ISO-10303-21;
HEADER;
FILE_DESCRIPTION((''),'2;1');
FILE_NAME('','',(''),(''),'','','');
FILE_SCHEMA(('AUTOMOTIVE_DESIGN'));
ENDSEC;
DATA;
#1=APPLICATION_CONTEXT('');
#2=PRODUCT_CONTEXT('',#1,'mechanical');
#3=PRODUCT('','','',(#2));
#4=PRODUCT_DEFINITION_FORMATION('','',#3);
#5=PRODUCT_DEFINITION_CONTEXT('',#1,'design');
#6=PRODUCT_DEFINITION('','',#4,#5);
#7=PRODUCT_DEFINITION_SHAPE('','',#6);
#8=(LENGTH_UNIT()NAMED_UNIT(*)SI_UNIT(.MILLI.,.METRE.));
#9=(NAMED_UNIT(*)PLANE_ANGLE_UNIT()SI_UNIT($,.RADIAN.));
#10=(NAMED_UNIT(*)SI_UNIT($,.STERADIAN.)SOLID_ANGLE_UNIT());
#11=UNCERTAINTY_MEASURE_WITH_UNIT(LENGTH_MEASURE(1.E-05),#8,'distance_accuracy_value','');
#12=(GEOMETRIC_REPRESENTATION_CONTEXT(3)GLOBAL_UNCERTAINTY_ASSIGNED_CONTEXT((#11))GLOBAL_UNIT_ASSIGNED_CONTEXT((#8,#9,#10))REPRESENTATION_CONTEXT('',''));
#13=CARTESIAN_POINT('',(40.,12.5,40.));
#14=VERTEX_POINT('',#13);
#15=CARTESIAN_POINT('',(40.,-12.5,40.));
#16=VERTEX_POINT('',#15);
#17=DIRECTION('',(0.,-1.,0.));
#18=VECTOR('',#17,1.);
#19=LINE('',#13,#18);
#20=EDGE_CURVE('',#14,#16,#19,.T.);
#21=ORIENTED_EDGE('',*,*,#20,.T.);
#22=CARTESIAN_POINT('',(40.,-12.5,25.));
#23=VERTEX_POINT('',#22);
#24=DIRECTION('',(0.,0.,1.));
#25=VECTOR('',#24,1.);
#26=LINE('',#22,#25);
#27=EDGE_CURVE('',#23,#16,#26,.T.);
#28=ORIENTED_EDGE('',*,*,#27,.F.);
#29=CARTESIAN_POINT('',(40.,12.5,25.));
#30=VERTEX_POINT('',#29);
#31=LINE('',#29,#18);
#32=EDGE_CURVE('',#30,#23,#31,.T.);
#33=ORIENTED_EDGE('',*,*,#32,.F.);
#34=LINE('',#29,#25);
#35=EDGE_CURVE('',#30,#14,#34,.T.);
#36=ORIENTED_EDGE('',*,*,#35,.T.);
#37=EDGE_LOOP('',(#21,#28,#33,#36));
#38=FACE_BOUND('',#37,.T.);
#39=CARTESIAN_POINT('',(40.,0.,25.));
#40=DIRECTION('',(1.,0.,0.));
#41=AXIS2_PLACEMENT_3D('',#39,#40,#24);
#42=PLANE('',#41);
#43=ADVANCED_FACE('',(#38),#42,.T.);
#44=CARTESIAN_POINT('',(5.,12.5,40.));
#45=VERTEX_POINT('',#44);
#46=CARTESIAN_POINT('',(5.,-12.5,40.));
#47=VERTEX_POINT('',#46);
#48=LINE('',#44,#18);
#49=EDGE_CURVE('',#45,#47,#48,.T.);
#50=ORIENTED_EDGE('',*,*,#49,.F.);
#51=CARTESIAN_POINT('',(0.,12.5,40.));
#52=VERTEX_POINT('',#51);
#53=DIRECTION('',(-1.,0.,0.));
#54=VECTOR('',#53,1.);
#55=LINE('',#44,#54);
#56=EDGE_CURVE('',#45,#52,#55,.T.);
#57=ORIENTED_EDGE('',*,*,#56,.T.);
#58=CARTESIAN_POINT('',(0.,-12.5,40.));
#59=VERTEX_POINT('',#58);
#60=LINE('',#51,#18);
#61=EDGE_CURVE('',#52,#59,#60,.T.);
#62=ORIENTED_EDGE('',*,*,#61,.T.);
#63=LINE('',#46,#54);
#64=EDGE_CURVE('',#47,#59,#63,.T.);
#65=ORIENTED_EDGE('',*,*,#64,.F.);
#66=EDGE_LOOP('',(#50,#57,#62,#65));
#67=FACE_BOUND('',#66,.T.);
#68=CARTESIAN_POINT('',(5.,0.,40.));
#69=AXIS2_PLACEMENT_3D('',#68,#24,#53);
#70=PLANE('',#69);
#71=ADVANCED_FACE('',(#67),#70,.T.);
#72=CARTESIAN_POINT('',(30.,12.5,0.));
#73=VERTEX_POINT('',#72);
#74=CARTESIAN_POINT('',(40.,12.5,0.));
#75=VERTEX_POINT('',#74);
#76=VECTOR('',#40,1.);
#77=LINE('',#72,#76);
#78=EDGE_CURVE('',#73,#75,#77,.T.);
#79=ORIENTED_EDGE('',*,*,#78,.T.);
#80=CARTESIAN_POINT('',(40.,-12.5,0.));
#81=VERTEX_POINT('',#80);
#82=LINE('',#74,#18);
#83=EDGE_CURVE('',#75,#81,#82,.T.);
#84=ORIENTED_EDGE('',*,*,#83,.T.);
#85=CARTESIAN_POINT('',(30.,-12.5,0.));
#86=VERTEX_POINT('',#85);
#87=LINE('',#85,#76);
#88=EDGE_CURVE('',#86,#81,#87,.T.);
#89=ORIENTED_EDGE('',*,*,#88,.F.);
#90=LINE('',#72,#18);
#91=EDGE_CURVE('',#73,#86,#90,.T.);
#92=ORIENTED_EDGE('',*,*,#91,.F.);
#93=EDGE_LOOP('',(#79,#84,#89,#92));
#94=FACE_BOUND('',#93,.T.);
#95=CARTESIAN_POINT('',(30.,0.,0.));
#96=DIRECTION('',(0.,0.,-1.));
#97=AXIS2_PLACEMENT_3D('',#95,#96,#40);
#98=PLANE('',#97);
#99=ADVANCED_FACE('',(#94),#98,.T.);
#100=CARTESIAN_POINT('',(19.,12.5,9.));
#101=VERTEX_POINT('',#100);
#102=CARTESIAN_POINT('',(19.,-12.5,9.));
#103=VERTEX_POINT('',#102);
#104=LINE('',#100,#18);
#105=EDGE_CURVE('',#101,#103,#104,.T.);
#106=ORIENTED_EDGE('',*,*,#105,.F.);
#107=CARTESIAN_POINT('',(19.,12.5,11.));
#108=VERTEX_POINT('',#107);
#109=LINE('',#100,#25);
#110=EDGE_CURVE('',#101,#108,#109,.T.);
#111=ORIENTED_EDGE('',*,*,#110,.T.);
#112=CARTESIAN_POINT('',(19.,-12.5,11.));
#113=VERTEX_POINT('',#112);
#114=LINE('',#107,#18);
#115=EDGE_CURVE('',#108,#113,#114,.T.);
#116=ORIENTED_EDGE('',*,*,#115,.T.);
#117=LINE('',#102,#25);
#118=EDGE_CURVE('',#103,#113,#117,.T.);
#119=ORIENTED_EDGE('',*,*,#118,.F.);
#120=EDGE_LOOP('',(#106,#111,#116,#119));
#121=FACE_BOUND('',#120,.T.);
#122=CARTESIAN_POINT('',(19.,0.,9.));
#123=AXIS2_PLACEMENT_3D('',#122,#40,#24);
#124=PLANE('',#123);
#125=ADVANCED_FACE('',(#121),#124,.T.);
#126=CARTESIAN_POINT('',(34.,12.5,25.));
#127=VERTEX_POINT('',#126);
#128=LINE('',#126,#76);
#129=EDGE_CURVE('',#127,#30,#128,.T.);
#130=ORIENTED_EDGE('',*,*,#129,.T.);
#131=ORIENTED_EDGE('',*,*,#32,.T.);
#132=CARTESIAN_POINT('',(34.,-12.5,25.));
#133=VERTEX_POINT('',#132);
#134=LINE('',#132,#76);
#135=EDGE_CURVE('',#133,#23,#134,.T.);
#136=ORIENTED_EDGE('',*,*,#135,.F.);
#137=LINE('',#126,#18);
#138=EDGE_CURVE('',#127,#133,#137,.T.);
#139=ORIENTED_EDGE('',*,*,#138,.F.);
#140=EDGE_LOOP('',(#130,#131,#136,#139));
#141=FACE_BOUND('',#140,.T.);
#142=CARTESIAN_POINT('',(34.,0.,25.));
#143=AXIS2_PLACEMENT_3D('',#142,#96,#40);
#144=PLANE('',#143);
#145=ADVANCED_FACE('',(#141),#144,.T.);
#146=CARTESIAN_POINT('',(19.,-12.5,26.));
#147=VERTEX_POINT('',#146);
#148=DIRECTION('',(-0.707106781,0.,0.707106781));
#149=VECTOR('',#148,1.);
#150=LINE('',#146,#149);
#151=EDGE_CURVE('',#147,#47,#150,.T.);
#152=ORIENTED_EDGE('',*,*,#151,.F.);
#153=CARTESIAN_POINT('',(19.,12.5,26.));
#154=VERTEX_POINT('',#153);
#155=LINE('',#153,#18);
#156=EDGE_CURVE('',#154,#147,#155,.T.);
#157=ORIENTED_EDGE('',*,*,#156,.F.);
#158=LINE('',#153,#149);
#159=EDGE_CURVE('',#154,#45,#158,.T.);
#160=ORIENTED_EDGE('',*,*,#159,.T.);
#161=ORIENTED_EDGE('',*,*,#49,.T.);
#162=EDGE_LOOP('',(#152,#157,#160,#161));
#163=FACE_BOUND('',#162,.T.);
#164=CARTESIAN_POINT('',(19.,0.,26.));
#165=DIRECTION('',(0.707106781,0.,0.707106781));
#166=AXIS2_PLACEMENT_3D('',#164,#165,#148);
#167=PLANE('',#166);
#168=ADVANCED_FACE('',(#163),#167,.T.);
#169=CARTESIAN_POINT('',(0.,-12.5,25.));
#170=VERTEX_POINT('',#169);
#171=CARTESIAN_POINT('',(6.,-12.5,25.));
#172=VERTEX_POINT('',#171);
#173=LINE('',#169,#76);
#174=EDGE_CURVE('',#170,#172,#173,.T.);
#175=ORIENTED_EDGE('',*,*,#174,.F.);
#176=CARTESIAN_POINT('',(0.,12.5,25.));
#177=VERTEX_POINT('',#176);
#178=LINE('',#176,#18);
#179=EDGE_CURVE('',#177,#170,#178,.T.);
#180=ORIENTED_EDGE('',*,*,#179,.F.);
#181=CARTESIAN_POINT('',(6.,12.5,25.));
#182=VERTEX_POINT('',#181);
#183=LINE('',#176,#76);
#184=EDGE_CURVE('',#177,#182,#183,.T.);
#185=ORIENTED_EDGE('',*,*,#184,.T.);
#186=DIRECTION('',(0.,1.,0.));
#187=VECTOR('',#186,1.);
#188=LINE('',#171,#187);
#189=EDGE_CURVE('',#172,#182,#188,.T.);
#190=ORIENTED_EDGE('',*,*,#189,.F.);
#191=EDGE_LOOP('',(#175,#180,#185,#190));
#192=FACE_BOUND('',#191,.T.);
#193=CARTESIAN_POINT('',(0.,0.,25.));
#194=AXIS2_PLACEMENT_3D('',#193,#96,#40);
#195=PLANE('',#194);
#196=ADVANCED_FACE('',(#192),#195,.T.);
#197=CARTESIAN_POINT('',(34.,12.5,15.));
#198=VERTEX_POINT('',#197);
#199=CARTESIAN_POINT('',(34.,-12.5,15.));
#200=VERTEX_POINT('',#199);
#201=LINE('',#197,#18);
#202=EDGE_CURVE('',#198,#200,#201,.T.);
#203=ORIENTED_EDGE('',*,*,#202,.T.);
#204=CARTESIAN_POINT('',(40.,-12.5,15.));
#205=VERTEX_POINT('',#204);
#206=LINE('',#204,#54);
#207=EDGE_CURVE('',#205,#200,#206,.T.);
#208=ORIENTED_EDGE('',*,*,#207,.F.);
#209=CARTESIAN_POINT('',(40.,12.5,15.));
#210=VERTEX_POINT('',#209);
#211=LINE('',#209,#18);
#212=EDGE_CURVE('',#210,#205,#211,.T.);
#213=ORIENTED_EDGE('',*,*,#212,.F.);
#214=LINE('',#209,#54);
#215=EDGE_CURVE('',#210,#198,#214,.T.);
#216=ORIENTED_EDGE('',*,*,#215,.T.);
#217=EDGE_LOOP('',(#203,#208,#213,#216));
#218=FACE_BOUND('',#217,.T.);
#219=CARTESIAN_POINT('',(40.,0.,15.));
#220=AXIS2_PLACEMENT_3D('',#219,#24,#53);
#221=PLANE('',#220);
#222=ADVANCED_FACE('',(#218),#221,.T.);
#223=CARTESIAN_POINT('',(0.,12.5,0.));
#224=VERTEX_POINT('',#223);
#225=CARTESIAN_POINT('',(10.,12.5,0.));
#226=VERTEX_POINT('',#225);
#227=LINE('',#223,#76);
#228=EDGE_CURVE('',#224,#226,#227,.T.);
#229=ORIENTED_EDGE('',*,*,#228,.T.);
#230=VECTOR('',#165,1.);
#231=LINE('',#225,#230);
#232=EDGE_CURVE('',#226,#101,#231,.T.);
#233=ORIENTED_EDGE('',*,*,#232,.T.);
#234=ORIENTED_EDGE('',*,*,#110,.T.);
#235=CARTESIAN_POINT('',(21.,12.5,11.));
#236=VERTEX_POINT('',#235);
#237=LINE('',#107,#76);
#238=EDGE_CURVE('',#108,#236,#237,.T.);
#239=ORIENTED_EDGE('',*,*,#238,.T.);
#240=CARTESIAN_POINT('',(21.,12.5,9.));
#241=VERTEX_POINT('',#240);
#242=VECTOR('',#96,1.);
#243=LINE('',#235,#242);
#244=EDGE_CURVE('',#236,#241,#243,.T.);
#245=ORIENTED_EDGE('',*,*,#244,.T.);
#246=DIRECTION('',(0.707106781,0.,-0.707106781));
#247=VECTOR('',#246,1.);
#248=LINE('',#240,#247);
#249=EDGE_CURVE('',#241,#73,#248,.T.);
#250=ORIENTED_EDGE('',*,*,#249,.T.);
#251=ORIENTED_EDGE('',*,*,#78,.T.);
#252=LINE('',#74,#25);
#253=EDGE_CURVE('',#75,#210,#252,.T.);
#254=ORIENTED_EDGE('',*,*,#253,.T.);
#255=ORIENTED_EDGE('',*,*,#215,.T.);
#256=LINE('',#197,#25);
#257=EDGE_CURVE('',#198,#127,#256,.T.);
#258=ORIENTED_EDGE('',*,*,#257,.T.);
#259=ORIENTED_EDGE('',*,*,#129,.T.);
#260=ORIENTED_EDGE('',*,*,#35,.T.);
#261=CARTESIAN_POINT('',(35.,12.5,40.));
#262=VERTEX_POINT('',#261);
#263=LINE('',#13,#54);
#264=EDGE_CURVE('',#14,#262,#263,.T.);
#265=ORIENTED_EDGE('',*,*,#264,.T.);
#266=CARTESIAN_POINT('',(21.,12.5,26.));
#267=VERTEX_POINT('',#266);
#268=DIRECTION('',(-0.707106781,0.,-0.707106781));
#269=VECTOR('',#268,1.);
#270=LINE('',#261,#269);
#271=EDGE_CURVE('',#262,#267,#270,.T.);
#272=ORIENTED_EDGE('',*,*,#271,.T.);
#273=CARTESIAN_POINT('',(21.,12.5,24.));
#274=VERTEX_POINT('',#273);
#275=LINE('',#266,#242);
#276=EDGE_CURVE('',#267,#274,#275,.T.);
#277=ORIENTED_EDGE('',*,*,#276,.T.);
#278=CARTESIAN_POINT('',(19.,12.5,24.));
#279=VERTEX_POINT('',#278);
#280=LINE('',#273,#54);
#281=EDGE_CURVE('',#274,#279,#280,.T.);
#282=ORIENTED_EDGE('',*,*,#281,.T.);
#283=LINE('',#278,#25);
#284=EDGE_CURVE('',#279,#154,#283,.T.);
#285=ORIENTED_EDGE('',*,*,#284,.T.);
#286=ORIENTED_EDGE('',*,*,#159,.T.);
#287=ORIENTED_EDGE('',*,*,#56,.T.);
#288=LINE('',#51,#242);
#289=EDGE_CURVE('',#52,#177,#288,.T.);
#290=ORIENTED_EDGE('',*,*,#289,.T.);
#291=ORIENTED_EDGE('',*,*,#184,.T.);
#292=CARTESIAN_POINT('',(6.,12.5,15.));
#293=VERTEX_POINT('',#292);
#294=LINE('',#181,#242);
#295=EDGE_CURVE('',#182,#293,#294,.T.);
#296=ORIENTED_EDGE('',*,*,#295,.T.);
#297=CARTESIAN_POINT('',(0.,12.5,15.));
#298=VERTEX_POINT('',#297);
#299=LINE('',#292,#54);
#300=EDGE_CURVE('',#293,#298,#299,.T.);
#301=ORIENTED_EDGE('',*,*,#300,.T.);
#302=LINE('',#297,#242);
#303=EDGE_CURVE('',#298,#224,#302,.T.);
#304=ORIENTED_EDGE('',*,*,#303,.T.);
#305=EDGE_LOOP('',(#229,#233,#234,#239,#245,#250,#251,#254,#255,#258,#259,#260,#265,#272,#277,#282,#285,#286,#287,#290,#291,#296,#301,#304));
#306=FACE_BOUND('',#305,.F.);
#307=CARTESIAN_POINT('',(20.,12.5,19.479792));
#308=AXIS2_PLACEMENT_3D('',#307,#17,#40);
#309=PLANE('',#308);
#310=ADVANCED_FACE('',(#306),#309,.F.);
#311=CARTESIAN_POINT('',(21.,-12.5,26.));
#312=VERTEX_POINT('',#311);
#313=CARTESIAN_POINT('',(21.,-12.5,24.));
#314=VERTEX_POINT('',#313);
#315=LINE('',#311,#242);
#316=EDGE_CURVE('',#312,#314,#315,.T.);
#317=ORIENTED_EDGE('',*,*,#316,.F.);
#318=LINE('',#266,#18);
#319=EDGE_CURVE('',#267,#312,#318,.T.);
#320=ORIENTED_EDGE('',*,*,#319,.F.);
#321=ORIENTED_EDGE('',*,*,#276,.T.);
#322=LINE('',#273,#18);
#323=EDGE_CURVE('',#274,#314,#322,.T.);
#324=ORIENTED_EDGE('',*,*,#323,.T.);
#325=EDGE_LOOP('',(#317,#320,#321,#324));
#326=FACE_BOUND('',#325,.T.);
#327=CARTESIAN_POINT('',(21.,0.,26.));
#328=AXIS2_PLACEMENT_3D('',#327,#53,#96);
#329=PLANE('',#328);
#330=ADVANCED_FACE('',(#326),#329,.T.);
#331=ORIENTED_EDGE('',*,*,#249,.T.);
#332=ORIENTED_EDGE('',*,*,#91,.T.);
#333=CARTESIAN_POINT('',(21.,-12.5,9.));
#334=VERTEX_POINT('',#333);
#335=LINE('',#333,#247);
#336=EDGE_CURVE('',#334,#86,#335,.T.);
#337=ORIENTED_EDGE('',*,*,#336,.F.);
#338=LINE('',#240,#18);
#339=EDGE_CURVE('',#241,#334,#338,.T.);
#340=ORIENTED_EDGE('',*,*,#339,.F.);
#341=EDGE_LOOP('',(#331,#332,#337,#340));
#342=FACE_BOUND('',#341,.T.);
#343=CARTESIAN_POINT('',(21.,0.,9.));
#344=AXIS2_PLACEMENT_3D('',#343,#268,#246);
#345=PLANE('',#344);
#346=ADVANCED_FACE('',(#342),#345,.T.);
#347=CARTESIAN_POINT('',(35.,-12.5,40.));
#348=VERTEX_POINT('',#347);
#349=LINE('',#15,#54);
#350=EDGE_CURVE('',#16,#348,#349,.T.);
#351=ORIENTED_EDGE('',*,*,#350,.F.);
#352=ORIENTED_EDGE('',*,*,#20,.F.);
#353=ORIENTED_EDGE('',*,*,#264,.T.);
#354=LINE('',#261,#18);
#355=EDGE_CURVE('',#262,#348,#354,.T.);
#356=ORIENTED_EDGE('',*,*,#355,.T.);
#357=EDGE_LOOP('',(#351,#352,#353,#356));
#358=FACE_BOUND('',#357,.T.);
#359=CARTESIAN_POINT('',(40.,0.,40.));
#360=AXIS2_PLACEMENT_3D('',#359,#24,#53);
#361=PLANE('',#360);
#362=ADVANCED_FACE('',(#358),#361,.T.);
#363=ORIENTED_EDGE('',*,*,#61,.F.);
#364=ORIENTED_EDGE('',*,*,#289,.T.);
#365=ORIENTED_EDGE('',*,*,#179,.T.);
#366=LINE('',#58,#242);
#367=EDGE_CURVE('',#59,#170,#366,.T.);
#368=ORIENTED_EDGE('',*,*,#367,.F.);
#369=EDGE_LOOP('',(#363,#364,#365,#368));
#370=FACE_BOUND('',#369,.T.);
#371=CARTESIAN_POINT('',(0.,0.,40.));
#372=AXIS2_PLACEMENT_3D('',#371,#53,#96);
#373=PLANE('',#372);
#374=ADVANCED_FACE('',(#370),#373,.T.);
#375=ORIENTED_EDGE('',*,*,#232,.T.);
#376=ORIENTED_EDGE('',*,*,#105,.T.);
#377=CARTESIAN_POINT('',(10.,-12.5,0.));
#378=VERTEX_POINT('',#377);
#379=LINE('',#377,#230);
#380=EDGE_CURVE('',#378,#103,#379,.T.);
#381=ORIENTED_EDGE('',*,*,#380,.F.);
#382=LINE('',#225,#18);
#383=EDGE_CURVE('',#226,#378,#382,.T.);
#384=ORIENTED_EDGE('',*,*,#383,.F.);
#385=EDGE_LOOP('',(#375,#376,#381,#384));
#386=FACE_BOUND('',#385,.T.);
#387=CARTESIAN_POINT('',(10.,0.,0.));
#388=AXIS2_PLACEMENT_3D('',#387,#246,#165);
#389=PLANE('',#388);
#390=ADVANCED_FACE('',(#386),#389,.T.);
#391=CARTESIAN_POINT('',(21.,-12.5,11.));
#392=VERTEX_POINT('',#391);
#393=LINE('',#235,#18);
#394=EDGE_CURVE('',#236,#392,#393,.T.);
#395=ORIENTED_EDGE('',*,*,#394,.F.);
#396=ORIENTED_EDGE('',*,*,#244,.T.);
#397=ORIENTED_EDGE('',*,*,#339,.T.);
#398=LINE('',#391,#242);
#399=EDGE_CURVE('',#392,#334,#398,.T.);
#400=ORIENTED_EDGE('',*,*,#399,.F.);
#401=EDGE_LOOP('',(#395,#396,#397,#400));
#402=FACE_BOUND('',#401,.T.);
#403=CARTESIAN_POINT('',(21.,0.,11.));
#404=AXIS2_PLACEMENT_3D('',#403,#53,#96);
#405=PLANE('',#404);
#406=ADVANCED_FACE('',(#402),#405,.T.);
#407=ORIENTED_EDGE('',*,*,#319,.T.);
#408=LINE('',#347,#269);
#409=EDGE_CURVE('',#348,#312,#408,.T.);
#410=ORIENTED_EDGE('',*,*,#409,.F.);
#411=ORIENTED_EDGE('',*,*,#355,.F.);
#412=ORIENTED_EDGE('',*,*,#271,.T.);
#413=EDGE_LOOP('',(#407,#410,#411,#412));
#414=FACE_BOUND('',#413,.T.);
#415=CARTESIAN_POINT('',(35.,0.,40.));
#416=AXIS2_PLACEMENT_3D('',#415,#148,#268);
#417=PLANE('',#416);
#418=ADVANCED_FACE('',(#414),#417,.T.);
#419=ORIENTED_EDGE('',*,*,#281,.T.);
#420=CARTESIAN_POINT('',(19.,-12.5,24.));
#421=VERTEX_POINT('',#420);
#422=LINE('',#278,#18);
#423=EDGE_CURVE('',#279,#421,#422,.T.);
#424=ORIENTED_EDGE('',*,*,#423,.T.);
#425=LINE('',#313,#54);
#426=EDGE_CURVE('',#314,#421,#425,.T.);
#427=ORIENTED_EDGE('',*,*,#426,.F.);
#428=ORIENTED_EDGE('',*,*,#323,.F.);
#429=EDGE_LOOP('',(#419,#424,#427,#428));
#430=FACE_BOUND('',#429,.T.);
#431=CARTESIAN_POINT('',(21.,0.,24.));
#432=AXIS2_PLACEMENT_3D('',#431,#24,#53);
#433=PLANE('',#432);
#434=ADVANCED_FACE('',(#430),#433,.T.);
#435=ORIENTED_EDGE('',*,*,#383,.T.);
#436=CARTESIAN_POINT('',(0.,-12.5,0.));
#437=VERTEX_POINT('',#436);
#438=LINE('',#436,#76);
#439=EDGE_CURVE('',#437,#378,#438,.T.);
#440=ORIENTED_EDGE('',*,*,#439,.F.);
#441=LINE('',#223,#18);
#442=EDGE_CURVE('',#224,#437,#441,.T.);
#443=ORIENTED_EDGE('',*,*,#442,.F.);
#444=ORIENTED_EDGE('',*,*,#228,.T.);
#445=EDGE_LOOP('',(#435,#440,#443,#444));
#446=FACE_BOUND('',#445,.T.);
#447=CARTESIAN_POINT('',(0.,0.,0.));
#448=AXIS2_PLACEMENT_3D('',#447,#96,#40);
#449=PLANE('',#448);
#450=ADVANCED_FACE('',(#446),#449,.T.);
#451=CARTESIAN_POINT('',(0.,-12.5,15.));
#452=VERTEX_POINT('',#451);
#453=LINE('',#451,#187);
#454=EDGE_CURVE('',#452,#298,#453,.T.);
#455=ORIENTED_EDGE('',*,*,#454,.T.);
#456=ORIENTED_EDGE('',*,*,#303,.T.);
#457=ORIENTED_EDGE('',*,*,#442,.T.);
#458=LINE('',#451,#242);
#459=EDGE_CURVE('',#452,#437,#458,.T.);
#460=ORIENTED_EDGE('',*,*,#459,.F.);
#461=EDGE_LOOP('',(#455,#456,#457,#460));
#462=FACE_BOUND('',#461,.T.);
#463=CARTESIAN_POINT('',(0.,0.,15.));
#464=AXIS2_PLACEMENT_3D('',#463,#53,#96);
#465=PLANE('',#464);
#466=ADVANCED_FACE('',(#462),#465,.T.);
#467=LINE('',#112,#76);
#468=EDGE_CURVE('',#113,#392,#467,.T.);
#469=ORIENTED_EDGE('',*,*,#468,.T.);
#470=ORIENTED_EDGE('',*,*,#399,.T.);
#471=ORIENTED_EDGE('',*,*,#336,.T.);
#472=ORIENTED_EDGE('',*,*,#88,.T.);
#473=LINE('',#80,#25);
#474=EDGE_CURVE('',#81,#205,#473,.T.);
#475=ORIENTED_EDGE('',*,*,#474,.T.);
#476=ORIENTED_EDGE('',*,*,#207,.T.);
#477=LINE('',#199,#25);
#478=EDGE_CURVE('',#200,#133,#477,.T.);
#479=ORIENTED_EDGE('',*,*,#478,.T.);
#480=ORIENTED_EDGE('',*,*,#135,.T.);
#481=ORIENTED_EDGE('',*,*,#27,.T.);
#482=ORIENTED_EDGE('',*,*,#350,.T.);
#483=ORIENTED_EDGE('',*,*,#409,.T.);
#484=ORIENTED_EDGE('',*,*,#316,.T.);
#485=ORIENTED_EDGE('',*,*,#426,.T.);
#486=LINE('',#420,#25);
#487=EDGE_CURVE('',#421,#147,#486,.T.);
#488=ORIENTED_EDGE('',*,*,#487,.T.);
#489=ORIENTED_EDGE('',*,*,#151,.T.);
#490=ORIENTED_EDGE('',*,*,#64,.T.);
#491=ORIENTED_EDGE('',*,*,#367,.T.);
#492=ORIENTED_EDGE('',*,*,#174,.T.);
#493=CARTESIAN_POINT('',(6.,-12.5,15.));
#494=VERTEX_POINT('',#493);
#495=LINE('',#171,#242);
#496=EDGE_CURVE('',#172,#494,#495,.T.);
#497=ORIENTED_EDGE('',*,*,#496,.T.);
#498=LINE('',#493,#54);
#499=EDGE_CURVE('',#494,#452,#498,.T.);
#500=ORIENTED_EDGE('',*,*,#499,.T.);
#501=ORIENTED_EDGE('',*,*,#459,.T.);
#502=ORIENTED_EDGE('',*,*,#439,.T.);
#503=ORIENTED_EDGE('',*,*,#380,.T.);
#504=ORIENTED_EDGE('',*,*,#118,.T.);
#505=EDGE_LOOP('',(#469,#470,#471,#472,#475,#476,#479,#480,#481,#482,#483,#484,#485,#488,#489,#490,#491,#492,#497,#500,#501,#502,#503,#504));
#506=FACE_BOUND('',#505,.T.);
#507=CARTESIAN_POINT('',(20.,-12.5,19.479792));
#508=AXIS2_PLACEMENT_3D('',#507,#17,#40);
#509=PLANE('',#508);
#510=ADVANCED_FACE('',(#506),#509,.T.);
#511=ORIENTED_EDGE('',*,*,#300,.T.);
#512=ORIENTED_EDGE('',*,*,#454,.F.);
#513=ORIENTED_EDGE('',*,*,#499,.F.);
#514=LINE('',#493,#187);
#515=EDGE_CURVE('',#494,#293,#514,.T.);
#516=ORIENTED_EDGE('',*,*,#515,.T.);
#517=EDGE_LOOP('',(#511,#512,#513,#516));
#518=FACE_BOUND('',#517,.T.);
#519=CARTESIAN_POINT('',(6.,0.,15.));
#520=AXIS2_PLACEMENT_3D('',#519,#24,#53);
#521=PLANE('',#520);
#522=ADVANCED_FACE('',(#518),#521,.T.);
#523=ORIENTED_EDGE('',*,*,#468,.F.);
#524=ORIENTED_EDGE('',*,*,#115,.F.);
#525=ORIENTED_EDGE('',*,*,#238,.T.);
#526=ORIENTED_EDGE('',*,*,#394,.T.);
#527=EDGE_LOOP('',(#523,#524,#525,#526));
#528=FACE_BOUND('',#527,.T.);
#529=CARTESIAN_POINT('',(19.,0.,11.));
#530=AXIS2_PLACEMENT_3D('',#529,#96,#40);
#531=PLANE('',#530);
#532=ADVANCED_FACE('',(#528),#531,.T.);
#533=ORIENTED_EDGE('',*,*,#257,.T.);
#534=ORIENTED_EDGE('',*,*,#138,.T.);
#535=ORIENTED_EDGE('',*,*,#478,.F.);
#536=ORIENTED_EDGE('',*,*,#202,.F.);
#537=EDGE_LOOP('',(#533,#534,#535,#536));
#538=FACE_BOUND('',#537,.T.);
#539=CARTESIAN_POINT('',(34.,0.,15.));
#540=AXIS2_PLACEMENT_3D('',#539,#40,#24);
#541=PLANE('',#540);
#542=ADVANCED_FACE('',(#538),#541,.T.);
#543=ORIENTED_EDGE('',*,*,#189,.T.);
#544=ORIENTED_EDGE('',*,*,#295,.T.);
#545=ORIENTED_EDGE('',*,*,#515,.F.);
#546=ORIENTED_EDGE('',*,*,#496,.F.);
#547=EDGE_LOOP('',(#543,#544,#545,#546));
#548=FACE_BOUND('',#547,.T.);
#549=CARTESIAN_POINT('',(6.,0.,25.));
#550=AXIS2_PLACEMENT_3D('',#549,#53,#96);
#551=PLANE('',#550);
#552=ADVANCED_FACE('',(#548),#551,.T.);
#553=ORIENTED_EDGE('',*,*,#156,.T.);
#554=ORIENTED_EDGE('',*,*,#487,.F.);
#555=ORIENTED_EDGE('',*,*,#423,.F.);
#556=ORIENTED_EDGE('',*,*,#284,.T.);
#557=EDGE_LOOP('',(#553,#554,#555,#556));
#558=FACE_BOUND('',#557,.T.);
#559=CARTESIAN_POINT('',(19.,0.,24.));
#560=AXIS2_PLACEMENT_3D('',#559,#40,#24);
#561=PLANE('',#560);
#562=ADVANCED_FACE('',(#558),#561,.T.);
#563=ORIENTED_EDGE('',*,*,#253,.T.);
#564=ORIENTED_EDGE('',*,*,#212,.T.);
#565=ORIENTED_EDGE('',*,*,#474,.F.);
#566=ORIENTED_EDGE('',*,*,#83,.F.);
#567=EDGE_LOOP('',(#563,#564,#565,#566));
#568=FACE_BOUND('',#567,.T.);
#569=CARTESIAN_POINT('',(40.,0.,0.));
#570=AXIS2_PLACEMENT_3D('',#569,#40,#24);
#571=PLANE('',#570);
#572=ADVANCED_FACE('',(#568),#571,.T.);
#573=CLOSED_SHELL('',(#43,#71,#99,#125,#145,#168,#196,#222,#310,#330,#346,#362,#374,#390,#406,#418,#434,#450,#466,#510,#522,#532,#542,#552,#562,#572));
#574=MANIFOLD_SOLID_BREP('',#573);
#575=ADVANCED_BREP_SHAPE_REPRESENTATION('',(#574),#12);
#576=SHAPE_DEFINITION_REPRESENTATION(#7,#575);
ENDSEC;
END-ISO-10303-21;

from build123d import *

# Parameters (mm, degrees)
F1_DEPTH = 12.5


with BuildPart() as f1:
    # F0 (on Front) → F1 (new body, symmetric)
    with BuildSketch(Plane.XZ):
        Polygon((0, 15), (0, 0), (10, 0), (19, 9), (19, 11), (21, 11), (21, 9), (30, 0), (40, 0), (40, 15), (34, 15), (34, 25), (40, 25), (40, 40), (35, 40), (21, 26), (21, 24), (19, 24), (19, 26), (5, 40), (0, 40), (0, 25), (6, 25), (6, 15), align=None)
    extrude(amount=F1_DEPTH, both=True)


solid = f1.part
